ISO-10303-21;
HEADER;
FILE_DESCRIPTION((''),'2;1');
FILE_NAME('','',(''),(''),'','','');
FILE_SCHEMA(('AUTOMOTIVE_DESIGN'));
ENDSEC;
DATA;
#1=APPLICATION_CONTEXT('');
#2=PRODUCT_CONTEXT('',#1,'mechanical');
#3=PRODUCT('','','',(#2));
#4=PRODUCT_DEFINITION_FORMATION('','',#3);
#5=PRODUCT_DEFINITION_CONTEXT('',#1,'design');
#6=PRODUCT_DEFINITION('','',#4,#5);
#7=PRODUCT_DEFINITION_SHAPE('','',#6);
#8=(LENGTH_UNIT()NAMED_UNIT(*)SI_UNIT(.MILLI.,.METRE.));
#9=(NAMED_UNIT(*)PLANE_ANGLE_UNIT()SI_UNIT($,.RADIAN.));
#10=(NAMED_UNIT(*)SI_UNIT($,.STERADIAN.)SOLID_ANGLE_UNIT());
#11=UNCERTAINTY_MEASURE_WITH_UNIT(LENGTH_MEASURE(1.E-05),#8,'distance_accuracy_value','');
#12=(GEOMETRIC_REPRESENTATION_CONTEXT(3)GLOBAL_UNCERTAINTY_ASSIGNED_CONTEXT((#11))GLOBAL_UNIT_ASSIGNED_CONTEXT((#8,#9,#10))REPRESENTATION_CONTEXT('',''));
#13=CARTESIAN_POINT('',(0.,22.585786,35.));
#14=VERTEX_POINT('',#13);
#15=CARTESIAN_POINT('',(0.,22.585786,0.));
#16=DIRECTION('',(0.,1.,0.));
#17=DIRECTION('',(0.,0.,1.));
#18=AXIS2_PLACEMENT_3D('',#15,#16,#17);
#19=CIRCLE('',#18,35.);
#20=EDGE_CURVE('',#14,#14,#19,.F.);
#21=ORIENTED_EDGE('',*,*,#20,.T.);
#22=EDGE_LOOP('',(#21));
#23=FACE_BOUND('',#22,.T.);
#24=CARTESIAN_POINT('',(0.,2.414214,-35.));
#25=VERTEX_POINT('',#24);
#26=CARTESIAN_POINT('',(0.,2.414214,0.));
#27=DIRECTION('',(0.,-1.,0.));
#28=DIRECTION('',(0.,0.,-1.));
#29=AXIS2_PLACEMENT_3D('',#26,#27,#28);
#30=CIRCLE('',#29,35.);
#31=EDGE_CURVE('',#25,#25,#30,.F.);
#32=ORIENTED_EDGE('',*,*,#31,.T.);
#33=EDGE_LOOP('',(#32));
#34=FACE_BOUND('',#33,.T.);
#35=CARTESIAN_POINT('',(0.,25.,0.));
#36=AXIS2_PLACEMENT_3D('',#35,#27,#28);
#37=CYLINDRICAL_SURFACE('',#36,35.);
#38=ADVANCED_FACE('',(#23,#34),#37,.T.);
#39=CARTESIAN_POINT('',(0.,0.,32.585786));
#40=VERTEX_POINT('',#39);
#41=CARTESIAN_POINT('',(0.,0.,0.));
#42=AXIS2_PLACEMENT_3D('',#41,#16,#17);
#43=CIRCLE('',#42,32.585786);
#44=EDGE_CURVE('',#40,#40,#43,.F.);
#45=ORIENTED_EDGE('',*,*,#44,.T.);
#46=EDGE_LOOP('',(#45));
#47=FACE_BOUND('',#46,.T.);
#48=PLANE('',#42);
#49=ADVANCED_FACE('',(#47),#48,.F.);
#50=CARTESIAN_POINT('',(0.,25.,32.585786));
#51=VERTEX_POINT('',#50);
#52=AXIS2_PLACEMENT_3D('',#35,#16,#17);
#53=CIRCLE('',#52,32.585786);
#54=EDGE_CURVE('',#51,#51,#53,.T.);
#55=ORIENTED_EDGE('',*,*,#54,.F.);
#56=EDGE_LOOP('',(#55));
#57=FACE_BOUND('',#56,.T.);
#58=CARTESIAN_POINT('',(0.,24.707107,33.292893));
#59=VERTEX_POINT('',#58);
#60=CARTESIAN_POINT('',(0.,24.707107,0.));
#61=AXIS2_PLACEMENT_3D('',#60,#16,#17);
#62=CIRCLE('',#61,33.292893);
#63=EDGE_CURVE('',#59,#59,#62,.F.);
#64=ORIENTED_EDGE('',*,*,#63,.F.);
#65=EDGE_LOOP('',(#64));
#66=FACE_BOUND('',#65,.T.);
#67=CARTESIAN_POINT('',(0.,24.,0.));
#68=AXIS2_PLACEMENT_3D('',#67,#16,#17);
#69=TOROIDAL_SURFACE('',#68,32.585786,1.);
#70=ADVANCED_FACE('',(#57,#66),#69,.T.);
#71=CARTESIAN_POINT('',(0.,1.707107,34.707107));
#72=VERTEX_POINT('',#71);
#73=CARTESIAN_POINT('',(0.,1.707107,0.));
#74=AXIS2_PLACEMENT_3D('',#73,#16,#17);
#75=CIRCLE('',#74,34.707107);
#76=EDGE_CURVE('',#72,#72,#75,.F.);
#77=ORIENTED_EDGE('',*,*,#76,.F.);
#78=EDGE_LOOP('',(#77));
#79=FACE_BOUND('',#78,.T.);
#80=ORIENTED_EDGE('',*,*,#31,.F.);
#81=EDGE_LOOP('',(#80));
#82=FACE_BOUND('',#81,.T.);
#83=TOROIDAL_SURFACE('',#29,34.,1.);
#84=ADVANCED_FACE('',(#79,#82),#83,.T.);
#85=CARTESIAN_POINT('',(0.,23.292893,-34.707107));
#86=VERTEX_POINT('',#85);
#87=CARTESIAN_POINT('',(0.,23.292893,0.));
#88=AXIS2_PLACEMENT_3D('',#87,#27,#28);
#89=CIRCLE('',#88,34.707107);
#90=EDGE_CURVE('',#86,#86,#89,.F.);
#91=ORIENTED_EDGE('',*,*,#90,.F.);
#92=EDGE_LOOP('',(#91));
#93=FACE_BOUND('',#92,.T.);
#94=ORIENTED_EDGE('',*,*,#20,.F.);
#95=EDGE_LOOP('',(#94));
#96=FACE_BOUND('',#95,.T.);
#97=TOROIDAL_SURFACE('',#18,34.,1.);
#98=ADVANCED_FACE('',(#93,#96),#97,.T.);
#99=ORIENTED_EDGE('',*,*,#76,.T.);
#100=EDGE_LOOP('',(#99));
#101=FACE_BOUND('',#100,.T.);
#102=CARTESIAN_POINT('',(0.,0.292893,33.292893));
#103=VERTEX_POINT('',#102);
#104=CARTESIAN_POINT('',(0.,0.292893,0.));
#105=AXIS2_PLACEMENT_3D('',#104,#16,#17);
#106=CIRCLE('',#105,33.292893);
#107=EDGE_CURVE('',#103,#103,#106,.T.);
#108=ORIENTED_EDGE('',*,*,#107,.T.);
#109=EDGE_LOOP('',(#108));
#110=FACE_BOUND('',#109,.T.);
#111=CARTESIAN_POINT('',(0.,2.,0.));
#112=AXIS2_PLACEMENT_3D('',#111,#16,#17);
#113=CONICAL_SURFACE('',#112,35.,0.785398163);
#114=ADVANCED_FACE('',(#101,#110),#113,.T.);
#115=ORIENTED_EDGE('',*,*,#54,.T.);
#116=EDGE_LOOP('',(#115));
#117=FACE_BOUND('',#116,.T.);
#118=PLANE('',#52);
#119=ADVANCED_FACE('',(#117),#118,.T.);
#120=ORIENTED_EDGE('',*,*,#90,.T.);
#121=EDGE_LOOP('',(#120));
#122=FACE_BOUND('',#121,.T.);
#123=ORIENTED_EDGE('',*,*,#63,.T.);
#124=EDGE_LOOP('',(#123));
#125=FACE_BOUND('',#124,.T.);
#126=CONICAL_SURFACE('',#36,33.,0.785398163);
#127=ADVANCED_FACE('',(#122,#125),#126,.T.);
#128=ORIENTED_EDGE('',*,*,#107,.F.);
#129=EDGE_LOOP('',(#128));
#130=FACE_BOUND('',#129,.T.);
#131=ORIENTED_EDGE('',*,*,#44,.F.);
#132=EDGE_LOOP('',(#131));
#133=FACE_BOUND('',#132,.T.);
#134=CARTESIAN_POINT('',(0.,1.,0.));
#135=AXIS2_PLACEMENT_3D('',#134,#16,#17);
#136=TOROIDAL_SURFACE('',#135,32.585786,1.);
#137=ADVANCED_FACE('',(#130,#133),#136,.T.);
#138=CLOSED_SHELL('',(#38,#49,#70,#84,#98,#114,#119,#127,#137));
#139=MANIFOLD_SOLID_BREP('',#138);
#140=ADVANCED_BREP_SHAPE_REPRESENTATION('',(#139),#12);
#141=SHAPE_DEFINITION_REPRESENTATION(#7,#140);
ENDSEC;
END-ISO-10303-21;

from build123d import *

# Parameters (mm, degrees)
SKETCH1_R           = 35
BOSS_EXTRUDE1_DEPTH = 25
CHAMFER1_SIZE       = 2
FILLET2_R           = 1


with BuildPart() as part:
    # Sketch1 → Boss-Extrude1 (new body)
    with BuildSketch(Plane(origin=(0, 0, 0), x_dir=(1, 0, 0), z_dir=(0, 1, 0))):
        with Locations(Location((0, 0, 0), (0, 0, 270))):
            Circle(SKETCH1_R)
    extrude(amount=BOSS_EXTRUDE1_DEPTH)

    # Chamfer1
    chamfer1_edges = [part.edges().sort_by_distance(p)[0] for p in [
        (0, 0, -35),
        (0, 25, -35),
    ]]
    chamfer(chamfer1_edges, length=CHAMFER1_SIZE)

    # Fillet2
    fillet2_edges = [part.edges().sort_by_distance(p)[0] for p in [
        (0, 23, -35),
        (0, 2, -35),
        (0, 0, -33),
        (0, 25, -33),
    ]]
    fillet(fillet2_edges, radius=FILLET2_R)


solid = part.part
